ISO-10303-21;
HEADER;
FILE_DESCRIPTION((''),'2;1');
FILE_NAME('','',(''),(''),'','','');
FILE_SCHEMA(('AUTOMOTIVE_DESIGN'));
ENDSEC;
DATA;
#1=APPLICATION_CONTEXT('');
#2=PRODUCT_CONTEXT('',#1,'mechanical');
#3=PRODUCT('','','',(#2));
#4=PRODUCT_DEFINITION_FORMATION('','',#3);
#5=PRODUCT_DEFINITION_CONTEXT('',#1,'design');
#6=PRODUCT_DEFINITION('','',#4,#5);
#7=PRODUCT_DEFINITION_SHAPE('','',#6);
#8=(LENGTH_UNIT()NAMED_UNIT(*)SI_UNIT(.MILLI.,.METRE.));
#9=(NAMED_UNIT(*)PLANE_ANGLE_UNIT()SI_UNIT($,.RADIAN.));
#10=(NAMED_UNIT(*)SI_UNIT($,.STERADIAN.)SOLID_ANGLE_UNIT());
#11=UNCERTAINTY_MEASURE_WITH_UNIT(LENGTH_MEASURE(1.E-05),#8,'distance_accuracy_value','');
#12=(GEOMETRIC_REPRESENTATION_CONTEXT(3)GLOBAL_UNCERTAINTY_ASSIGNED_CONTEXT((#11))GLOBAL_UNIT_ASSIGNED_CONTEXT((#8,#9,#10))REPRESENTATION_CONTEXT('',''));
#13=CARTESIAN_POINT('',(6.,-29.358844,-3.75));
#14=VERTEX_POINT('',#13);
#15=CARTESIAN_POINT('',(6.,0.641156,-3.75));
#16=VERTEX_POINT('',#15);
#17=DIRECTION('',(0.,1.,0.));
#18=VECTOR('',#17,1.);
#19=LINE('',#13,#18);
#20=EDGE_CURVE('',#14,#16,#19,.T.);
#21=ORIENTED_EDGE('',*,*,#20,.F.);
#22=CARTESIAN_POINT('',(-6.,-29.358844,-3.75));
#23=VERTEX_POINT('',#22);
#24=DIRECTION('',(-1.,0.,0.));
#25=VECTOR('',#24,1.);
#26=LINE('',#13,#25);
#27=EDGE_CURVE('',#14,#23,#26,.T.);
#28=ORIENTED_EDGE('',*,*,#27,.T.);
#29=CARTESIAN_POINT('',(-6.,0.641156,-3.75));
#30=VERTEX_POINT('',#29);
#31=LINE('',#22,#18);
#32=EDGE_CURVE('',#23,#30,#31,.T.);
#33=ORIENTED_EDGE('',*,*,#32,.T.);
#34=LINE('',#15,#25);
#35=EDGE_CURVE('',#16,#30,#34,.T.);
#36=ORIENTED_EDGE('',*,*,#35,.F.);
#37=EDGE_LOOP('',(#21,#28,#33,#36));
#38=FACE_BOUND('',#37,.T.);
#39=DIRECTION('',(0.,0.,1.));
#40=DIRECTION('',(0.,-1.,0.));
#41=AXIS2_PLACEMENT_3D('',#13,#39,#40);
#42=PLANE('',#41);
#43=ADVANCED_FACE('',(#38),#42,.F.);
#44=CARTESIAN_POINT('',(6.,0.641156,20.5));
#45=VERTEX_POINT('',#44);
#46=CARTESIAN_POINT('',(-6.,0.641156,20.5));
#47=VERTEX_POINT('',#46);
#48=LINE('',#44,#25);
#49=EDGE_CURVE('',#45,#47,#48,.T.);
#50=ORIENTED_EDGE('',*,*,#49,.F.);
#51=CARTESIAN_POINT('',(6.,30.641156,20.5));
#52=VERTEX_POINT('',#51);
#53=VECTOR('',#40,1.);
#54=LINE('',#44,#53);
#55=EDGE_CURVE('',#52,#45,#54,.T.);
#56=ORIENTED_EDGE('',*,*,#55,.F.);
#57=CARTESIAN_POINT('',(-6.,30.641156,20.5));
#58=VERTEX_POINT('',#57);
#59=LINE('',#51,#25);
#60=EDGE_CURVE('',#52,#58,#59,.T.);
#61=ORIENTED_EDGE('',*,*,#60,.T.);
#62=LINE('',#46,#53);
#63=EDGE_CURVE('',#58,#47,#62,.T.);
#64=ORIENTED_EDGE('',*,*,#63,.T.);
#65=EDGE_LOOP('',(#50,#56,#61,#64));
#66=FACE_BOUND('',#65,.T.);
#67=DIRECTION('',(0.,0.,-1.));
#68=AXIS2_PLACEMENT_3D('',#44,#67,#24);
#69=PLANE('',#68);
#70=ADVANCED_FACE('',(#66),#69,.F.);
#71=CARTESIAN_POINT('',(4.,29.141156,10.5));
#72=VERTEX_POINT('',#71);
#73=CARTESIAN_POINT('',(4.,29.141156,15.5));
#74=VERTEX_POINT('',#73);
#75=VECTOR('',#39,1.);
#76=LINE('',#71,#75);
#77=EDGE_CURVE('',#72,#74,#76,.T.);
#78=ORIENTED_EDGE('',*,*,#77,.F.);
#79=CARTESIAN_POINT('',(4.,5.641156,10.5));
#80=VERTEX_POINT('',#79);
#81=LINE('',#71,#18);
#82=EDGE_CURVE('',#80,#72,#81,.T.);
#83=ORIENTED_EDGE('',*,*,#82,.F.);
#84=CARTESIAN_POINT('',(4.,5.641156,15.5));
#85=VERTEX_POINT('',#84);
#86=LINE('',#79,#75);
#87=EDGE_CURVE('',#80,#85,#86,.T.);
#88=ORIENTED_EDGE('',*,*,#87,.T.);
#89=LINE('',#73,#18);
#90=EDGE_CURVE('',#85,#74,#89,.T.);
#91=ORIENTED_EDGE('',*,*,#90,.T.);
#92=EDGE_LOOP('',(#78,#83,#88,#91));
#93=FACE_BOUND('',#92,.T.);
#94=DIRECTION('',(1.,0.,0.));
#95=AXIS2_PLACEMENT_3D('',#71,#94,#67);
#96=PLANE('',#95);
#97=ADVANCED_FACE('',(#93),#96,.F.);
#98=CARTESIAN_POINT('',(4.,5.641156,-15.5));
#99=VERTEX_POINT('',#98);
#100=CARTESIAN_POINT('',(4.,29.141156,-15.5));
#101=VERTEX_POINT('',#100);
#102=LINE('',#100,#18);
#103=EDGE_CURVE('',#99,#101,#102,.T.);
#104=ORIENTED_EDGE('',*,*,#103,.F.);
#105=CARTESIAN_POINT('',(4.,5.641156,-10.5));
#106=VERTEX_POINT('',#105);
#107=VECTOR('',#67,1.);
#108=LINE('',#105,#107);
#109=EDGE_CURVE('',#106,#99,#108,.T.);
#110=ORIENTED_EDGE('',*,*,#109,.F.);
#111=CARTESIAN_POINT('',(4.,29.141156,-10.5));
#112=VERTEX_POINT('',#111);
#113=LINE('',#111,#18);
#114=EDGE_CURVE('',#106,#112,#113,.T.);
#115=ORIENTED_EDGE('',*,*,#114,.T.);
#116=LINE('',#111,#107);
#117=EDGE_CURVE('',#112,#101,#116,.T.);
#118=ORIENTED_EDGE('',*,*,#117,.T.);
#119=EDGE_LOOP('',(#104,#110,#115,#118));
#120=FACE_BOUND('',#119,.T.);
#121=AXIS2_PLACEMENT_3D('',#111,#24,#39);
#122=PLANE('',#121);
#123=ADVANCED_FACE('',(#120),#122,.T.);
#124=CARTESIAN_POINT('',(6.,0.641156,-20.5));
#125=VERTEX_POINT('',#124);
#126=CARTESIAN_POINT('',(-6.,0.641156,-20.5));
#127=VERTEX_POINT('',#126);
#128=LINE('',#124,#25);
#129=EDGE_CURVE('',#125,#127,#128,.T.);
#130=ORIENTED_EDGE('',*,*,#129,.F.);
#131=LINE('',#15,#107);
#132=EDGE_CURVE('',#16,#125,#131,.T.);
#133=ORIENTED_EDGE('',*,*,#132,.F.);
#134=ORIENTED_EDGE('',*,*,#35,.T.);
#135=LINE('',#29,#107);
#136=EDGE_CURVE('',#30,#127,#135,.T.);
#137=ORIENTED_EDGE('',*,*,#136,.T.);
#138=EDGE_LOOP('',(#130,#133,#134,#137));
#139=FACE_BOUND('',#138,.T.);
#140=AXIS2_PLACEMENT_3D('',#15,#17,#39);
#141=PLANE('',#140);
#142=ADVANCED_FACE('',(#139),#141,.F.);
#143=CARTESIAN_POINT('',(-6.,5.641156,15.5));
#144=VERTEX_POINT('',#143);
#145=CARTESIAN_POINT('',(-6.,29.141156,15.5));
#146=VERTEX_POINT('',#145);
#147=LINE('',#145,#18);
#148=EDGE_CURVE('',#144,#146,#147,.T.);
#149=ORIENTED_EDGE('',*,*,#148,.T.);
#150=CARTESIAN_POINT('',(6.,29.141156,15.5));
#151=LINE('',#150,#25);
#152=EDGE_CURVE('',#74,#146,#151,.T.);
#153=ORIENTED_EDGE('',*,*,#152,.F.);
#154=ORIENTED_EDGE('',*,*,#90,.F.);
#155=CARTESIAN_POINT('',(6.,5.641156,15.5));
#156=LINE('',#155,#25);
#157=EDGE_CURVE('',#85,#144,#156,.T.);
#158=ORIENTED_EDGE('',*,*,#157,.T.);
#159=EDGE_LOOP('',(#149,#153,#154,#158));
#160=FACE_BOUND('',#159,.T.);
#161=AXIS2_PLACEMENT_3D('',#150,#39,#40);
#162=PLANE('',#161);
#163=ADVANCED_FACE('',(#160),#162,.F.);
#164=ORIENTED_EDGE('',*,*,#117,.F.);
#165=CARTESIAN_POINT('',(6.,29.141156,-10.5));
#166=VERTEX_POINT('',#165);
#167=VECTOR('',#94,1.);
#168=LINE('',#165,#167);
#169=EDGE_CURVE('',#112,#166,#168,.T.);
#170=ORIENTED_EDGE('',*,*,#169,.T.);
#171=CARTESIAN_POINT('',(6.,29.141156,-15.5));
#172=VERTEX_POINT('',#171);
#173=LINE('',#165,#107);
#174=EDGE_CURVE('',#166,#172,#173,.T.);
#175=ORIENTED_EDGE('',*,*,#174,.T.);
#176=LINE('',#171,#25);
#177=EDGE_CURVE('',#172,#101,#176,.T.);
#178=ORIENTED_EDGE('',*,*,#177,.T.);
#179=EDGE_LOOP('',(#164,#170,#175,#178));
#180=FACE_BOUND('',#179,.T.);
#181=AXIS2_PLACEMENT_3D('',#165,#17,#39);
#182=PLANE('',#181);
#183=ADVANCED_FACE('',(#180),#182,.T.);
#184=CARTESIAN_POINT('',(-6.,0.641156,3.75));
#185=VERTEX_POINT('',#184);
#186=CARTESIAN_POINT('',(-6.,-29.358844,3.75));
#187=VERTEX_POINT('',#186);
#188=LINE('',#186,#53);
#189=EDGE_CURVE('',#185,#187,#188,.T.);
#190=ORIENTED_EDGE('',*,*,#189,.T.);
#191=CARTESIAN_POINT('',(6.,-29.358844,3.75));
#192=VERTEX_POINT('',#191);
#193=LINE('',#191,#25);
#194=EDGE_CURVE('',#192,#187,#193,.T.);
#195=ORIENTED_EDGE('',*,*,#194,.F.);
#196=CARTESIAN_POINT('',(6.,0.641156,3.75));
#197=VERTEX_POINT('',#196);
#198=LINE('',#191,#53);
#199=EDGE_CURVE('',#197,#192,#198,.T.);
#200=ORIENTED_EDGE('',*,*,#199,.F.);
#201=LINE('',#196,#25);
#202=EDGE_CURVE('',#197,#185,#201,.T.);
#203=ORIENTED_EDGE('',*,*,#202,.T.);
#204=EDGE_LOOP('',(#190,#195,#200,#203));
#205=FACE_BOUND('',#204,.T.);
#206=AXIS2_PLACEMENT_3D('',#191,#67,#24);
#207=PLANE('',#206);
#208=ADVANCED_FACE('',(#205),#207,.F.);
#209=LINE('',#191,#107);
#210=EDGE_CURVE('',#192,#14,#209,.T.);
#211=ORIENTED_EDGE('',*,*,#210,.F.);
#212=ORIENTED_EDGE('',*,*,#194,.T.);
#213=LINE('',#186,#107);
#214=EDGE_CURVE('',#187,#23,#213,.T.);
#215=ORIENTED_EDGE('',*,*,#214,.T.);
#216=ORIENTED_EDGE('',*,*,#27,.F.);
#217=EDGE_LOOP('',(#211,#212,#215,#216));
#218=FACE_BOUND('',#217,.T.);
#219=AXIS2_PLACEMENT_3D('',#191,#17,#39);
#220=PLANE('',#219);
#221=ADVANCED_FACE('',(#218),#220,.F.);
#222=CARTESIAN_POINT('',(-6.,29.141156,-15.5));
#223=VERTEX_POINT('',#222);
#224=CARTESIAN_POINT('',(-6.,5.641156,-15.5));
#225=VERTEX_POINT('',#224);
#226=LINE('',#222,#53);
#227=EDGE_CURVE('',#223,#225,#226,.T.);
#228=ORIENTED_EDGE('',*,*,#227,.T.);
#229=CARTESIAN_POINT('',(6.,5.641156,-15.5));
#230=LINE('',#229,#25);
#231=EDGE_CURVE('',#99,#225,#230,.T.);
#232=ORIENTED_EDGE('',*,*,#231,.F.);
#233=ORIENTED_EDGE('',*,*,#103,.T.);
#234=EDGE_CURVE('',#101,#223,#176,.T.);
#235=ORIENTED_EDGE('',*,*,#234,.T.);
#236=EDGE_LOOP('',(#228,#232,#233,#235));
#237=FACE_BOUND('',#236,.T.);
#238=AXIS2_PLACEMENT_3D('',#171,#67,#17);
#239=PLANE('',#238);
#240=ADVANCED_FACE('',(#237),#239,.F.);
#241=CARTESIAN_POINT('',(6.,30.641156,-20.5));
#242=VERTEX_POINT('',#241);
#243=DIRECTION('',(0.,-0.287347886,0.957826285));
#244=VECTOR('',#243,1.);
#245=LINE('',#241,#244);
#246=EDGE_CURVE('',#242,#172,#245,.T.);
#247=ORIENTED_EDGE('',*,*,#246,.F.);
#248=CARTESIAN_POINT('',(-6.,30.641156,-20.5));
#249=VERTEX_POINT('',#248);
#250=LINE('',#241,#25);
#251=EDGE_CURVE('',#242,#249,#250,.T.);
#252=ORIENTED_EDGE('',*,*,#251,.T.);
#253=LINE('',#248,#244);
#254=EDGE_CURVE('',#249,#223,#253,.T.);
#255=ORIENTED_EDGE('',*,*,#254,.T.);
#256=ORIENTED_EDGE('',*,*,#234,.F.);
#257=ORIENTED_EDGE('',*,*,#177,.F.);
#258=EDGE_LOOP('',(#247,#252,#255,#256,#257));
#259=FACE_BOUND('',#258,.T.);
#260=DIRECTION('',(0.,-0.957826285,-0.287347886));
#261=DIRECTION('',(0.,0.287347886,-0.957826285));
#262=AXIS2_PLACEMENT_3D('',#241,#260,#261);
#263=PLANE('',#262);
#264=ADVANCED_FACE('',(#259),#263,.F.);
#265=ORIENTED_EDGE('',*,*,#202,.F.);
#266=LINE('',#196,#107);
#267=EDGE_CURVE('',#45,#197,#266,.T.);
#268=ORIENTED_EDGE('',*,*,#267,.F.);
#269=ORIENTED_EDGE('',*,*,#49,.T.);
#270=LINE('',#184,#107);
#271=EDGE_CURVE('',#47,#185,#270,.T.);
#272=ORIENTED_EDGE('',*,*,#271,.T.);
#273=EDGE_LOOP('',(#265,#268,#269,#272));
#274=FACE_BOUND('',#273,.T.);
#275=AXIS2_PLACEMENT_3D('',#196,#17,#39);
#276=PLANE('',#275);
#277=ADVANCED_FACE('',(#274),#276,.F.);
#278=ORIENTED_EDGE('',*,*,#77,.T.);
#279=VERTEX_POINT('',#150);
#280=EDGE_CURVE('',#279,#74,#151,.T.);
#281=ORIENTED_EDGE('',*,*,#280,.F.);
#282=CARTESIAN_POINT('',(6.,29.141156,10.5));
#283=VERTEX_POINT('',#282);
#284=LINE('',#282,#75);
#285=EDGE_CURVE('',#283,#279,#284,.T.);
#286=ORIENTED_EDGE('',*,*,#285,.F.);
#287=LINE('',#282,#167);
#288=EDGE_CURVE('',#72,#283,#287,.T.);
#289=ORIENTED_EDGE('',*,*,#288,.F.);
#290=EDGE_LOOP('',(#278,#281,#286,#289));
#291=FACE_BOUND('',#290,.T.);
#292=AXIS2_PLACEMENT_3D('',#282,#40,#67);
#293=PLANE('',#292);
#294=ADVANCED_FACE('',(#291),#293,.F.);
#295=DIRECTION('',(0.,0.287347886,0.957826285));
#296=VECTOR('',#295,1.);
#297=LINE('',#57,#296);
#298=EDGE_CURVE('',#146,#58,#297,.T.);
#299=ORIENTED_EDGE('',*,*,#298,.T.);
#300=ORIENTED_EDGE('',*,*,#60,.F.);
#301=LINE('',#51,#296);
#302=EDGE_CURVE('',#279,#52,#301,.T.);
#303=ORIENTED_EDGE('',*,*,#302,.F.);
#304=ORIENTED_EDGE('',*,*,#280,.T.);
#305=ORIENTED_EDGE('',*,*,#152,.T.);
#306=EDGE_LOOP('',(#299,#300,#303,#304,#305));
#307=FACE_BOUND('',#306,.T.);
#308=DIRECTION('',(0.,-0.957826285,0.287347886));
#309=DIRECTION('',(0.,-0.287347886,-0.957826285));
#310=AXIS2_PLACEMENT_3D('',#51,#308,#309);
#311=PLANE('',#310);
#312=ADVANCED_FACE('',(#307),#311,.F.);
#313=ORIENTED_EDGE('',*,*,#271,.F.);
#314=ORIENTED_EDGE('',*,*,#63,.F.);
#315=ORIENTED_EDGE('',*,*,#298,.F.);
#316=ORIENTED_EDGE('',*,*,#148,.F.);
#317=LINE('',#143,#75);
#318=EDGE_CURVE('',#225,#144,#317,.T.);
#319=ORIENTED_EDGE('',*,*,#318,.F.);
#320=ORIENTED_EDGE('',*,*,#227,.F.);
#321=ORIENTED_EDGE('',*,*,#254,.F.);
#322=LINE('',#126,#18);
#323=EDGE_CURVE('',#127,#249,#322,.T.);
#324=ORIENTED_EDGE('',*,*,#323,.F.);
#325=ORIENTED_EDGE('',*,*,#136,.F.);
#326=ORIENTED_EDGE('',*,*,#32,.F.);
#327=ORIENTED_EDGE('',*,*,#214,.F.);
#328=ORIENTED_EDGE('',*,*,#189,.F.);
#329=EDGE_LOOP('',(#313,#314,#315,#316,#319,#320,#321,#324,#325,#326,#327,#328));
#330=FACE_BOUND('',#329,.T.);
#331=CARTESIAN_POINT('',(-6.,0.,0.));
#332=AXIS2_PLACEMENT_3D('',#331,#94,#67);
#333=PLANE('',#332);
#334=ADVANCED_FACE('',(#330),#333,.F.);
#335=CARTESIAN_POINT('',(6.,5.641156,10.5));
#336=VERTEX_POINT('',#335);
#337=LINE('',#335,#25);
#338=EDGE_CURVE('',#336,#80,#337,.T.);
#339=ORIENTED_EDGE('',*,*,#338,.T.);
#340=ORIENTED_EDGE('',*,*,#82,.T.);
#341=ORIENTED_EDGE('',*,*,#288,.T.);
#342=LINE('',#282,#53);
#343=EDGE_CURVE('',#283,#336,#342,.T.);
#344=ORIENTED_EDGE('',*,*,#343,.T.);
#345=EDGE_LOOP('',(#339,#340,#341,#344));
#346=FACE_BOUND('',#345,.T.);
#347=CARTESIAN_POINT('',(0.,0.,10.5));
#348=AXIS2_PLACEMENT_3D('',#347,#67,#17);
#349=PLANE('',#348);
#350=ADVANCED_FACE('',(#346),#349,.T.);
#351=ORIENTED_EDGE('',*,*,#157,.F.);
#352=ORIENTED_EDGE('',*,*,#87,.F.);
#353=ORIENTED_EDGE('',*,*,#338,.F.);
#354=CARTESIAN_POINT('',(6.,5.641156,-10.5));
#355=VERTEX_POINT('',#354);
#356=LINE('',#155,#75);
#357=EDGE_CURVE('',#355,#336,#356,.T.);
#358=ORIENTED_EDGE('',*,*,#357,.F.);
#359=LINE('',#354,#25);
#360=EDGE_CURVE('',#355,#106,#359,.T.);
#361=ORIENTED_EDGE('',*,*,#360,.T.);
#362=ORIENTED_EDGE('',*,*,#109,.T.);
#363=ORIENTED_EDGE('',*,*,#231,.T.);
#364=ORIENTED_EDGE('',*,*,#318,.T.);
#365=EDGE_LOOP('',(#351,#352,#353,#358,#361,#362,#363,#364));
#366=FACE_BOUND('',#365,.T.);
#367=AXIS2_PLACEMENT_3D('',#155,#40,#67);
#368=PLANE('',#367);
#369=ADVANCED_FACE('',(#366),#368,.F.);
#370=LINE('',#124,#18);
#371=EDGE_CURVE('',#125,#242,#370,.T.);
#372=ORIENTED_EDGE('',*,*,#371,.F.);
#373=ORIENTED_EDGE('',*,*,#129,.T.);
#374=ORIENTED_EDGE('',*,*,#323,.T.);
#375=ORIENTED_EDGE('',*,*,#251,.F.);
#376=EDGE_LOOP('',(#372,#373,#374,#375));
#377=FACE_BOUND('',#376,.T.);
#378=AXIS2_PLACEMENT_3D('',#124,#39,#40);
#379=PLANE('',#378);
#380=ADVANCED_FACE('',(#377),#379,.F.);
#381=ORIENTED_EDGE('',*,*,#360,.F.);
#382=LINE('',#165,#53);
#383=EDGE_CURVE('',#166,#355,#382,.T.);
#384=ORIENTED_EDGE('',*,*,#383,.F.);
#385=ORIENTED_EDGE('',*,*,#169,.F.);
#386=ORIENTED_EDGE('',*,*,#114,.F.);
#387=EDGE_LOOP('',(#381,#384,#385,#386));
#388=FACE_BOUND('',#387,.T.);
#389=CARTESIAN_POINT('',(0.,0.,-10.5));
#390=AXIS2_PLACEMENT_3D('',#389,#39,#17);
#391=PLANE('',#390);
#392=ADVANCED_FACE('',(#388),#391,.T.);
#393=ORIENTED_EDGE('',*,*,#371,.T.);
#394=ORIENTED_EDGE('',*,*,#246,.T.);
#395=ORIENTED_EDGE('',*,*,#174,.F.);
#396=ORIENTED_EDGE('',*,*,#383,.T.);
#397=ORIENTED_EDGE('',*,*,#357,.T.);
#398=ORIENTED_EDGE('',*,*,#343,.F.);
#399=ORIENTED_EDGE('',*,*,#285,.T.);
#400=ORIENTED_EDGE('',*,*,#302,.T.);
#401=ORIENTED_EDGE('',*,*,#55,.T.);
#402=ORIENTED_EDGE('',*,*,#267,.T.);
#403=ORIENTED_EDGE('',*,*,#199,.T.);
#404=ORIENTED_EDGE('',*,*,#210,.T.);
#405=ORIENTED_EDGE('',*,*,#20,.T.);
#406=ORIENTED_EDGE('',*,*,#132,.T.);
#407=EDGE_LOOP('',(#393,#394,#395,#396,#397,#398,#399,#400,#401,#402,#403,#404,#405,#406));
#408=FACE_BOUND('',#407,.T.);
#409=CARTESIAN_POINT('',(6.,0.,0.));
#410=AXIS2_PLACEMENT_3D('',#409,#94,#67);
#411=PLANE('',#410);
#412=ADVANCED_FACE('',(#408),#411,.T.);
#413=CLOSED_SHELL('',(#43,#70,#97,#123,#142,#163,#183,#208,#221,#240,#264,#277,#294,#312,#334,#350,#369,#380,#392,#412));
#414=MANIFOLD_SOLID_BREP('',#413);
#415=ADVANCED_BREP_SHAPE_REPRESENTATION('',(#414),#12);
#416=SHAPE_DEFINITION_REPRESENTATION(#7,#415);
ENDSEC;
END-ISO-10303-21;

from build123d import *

# Parameters (mm, degrees)
BOSS_EXTRUDE1_DEPTH = 6
SKETCH2_W           = 2
SKETCH2_H           = 23.5
BOSS_EXTRUDE2_DEPTH = 5


with BuildPart() as part:
    # Sketch1 → Boss-Extrude1 (new, symmetric)
    with BuildSketch(Plane(origin=(0, 0, 0), x_dir=(0, 0, -1), z_dir=(1, 0, 0))):
        Polygon((-3.75, -29.358843537), (-3.75, 0.641156463), (-20.5, 0.641156463), (-20.5, 30.641156463), (-15.5, 29.141156463), (-15.5, 5.641156463), (15.5, 5.641156463), (15.5, 29.141156463), (20.5, 30.641156463), (20.5, 0.641156463), (3.75, 0.641156463), (3.75, -29.358843537), align=None)
    extrude(amount=BOSS_EXTRUDE1_DEPTH, both=True)

    # Sketch2 → Boss-Extrude2 (add)
    with BuildSketch(Plane(origin=(0, 0, 15.5), x_dir=(-1, 0, 0), z_dir=(0, 0, -1))):
        with Locations((-5, 17.391156463)):
            Rectangle(SKETCH2_W, SKETCH2_H)
    boss_extrude2 = extrude(amount=BOSS_EXTRUDE2_DEPTH)

    # Mirror1: Boss-Extrude2 across plane
    add(boss_extrude2.mirror(Plane(origin=(0, 0, 0), x_dir=(1, 0, 0), z_dir=(0, 0, -1))))


solid = part.part
